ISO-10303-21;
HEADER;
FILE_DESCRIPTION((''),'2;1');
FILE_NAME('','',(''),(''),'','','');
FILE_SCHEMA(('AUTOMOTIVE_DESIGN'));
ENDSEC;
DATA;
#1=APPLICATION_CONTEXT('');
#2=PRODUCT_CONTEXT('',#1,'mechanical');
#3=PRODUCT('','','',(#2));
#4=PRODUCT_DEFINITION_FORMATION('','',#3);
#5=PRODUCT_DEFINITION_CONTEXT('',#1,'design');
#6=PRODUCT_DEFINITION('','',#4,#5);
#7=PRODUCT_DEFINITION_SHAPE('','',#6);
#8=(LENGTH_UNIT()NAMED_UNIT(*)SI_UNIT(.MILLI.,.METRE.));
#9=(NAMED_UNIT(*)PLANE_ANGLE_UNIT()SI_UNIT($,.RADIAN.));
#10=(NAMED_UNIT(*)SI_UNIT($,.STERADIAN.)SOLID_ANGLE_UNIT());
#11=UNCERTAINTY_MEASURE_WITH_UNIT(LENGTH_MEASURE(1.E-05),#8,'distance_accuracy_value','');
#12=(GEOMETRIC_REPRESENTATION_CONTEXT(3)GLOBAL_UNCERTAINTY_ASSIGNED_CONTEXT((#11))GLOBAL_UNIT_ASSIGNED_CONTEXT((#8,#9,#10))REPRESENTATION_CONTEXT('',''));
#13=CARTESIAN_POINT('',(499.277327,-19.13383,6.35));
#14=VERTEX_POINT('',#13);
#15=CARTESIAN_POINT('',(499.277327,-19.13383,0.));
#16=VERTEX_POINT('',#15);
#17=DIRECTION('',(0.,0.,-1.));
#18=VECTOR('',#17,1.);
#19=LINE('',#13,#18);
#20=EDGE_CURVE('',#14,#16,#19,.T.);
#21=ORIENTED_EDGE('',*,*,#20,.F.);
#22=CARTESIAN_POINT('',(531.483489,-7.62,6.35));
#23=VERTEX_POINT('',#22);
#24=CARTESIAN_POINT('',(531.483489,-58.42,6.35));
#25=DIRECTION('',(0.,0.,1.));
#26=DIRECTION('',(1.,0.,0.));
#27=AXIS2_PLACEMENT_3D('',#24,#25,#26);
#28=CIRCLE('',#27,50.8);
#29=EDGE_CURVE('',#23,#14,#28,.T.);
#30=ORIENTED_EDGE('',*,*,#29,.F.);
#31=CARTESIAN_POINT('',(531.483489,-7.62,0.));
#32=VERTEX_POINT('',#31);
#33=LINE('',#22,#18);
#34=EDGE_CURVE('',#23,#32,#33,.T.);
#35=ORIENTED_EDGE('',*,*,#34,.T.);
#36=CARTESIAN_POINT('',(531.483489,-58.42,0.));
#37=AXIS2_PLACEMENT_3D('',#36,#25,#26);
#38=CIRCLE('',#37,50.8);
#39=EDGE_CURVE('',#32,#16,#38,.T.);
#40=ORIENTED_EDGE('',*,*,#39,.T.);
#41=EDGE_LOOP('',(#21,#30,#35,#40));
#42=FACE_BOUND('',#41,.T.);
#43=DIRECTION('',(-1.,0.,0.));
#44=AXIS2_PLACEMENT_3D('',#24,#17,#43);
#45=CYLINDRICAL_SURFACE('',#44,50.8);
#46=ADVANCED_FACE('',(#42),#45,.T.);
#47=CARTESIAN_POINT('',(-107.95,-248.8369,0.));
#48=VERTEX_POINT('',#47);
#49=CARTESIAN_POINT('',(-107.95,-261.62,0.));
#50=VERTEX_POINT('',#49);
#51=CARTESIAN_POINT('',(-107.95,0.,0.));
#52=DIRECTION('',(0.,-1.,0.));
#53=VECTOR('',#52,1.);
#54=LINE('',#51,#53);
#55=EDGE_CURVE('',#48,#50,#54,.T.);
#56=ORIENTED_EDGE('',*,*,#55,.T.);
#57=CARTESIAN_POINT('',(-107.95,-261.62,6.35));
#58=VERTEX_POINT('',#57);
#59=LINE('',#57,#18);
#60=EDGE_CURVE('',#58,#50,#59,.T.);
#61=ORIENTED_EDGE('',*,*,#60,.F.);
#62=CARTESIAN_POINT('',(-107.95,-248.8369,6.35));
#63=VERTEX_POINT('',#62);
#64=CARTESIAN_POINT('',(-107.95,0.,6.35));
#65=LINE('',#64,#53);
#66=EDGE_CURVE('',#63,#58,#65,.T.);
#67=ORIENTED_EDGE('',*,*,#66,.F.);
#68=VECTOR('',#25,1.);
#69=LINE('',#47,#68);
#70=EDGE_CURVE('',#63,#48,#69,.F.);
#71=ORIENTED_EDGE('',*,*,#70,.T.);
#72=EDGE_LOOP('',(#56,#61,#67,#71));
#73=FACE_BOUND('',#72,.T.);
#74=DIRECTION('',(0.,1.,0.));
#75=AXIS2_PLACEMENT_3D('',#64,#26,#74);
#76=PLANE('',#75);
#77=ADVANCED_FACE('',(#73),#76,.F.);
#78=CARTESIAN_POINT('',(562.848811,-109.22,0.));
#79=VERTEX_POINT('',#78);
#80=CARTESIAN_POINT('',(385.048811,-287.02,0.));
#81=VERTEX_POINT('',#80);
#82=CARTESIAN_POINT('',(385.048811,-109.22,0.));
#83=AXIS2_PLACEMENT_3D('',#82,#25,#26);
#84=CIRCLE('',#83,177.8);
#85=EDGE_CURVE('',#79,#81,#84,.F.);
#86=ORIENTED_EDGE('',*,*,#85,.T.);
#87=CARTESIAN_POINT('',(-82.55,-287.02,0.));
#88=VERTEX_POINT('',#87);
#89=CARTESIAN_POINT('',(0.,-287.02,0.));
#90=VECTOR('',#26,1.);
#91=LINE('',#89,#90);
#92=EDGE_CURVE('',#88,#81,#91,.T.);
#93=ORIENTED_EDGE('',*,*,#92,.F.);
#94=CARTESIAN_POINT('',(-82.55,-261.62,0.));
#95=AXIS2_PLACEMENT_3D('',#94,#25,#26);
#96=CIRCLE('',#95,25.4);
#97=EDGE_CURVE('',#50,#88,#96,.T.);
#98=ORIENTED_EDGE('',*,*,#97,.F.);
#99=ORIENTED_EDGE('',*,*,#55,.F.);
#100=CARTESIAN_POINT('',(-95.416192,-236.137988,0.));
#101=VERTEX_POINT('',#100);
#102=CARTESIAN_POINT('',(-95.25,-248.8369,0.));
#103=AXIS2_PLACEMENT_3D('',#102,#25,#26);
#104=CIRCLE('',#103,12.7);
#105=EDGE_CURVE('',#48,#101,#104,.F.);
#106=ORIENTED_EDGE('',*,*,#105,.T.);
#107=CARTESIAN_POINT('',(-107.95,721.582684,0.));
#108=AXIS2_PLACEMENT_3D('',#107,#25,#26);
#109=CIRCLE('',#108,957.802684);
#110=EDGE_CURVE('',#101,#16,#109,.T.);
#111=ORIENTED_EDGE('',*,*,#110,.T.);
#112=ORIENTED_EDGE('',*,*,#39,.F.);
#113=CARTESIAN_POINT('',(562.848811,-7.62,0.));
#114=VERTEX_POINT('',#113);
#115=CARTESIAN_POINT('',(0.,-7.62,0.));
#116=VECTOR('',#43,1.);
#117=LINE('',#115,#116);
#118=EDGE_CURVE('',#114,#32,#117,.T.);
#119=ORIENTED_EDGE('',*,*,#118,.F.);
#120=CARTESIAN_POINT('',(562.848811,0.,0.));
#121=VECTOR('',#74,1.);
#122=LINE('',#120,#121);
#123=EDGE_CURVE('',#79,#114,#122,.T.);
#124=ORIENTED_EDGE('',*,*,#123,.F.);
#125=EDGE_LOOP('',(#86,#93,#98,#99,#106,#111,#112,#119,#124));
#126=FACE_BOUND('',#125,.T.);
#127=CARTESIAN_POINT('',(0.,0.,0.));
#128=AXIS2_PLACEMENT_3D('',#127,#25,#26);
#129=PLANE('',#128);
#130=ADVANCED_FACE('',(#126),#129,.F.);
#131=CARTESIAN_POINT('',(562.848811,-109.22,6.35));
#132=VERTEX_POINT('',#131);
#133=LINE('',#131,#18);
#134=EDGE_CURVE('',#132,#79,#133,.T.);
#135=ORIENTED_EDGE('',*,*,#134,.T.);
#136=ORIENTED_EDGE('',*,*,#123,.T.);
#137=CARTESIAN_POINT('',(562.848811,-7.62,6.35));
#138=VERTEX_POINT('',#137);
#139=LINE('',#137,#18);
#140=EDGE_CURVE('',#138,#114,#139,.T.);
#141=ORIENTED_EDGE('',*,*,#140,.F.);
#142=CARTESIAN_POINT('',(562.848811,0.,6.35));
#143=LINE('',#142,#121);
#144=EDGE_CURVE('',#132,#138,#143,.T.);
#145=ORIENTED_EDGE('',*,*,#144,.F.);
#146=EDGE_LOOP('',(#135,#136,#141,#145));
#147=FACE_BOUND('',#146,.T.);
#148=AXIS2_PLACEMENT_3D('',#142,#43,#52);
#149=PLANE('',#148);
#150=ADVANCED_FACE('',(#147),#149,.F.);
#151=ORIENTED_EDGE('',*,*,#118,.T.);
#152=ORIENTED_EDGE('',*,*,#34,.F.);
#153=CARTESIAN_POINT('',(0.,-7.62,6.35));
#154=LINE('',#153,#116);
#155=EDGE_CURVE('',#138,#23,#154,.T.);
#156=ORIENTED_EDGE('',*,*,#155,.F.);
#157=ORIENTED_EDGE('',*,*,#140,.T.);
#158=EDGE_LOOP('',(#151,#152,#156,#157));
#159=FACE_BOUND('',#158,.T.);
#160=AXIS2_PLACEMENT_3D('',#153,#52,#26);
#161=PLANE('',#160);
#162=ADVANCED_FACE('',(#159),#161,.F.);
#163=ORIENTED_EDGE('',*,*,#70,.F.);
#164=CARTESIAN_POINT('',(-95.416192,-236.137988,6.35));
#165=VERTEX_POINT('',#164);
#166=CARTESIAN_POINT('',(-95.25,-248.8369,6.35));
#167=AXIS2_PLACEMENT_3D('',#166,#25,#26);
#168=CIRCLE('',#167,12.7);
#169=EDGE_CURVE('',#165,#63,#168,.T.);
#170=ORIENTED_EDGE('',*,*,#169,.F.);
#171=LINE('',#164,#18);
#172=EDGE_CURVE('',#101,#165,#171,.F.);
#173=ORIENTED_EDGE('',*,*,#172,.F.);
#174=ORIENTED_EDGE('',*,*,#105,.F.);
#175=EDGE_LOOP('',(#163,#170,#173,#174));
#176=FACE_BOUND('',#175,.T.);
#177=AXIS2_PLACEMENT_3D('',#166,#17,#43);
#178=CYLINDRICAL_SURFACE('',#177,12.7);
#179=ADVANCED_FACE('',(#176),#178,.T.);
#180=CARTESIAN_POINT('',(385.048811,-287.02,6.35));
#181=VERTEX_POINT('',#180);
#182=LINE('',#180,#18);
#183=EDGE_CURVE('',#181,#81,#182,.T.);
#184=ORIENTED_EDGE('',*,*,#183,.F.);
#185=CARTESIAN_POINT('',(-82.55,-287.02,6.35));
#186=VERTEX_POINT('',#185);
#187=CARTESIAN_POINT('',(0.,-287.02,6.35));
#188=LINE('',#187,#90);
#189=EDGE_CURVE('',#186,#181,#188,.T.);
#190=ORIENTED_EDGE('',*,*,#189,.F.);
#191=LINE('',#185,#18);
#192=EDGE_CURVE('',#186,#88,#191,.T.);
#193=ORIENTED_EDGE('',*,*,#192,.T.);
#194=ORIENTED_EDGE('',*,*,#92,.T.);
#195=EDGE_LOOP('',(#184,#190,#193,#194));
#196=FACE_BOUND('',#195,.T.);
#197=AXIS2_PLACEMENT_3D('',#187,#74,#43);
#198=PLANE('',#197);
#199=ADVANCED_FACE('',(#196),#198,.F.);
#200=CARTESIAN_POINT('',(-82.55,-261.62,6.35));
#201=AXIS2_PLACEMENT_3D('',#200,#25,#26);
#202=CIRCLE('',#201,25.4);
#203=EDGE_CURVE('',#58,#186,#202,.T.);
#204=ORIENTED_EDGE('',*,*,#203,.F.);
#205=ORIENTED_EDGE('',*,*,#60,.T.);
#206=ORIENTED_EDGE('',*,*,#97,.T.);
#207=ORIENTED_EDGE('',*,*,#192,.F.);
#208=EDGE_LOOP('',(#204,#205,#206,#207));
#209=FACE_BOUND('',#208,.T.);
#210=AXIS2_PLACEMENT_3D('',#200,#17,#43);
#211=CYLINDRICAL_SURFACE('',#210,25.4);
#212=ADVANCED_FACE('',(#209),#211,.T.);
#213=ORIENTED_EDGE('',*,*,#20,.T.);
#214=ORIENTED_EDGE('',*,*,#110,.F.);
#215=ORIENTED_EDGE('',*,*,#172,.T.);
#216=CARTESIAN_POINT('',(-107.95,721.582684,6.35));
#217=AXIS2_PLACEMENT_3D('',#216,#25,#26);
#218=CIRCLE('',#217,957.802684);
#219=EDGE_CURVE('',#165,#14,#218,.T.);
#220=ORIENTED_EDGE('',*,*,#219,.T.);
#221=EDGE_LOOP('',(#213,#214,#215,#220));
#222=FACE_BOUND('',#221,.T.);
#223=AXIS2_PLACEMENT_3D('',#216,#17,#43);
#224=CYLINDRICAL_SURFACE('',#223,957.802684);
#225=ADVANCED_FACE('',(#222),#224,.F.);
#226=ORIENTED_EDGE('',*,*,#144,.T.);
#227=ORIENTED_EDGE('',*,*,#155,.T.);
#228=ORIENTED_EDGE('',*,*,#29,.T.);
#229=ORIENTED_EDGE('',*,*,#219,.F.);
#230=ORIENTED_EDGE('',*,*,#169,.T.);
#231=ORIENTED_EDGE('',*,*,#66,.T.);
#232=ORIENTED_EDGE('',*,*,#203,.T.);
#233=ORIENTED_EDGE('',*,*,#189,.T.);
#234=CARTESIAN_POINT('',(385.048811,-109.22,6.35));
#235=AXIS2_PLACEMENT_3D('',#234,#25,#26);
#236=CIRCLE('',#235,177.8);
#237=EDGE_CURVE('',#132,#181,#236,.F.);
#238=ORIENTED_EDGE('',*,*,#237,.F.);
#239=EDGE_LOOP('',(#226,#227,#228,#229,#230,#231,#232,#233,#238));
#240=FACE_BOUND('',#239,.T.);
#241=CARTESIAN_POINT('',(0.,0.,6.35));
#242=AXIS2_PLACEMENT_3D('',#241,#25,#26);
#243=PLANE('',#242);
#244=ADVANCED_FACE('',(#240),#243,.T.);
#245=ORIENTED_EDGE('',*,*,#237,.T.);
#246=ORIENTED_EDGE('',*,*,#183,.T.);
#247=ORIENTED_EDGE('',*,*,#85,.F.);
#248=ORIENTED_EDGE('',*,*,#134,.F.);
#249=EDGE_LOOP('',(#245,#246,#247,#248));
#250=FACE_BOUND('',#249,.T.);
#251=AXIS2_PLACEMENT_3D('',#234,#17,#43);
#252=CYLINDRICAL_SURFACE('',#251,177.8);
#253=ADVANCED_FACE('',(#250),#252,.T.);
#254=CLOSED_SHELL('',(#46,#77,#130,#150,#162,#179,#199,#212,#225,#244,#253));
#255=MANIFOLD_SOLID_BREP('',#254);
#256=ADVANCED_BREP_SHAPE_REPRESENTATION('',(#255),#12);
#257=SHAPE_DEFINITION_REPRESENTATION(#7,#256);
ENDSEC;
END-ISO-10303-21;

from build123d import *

# Parameters (mm, degrees)
BOSS_EXTRUDE1_DEPTH = 6.35
FILLET1_R           = 12.7


with BuildPart() as part:
    # Sketch1 → Boss-Extrude1 (new body)
    with BuildSketch(Plane.XY):
        with BuildLine():
            Line((-107.95, -236.22), (-107.95, -261.62))
            ThreePointArc((-107.95, -261.62), (-100.510512242, -279.580512242), (-82.55, -287.02))
            Line((-82.55, -287.02), (385.048811446, -287.02))
            ThreePointArc((385.048811446, -287.02), (510.772397141, -234.943585695), (562.848811446, -109.22))
            Line((562.848811446, -109.22), (562.848811446, -7.62))
            Line((562.848811446, -7.62), (531.483489065, -7.62))
            ThreePointArc((531.483489065, -7.62), (514.382281911, -10.584984437), (499.27732724, -19.133830162))
            ThreePointArc((499.27732724, -19.133830162), (214.482718595, -180.317046242), (-107.95, -236.22))
        make_face()
    extrude(amount=BOSS_EXTRUDE1_DEPTH)

    # Fillet1
    fillet1_edges = [part.edges().sort_by_distance(p)[0] for p in [
        (-107.95, -236.22, 3.175),
    ]]
    fillet(fillet1_edges, radius=FILLET1_R)


solid = part.part
